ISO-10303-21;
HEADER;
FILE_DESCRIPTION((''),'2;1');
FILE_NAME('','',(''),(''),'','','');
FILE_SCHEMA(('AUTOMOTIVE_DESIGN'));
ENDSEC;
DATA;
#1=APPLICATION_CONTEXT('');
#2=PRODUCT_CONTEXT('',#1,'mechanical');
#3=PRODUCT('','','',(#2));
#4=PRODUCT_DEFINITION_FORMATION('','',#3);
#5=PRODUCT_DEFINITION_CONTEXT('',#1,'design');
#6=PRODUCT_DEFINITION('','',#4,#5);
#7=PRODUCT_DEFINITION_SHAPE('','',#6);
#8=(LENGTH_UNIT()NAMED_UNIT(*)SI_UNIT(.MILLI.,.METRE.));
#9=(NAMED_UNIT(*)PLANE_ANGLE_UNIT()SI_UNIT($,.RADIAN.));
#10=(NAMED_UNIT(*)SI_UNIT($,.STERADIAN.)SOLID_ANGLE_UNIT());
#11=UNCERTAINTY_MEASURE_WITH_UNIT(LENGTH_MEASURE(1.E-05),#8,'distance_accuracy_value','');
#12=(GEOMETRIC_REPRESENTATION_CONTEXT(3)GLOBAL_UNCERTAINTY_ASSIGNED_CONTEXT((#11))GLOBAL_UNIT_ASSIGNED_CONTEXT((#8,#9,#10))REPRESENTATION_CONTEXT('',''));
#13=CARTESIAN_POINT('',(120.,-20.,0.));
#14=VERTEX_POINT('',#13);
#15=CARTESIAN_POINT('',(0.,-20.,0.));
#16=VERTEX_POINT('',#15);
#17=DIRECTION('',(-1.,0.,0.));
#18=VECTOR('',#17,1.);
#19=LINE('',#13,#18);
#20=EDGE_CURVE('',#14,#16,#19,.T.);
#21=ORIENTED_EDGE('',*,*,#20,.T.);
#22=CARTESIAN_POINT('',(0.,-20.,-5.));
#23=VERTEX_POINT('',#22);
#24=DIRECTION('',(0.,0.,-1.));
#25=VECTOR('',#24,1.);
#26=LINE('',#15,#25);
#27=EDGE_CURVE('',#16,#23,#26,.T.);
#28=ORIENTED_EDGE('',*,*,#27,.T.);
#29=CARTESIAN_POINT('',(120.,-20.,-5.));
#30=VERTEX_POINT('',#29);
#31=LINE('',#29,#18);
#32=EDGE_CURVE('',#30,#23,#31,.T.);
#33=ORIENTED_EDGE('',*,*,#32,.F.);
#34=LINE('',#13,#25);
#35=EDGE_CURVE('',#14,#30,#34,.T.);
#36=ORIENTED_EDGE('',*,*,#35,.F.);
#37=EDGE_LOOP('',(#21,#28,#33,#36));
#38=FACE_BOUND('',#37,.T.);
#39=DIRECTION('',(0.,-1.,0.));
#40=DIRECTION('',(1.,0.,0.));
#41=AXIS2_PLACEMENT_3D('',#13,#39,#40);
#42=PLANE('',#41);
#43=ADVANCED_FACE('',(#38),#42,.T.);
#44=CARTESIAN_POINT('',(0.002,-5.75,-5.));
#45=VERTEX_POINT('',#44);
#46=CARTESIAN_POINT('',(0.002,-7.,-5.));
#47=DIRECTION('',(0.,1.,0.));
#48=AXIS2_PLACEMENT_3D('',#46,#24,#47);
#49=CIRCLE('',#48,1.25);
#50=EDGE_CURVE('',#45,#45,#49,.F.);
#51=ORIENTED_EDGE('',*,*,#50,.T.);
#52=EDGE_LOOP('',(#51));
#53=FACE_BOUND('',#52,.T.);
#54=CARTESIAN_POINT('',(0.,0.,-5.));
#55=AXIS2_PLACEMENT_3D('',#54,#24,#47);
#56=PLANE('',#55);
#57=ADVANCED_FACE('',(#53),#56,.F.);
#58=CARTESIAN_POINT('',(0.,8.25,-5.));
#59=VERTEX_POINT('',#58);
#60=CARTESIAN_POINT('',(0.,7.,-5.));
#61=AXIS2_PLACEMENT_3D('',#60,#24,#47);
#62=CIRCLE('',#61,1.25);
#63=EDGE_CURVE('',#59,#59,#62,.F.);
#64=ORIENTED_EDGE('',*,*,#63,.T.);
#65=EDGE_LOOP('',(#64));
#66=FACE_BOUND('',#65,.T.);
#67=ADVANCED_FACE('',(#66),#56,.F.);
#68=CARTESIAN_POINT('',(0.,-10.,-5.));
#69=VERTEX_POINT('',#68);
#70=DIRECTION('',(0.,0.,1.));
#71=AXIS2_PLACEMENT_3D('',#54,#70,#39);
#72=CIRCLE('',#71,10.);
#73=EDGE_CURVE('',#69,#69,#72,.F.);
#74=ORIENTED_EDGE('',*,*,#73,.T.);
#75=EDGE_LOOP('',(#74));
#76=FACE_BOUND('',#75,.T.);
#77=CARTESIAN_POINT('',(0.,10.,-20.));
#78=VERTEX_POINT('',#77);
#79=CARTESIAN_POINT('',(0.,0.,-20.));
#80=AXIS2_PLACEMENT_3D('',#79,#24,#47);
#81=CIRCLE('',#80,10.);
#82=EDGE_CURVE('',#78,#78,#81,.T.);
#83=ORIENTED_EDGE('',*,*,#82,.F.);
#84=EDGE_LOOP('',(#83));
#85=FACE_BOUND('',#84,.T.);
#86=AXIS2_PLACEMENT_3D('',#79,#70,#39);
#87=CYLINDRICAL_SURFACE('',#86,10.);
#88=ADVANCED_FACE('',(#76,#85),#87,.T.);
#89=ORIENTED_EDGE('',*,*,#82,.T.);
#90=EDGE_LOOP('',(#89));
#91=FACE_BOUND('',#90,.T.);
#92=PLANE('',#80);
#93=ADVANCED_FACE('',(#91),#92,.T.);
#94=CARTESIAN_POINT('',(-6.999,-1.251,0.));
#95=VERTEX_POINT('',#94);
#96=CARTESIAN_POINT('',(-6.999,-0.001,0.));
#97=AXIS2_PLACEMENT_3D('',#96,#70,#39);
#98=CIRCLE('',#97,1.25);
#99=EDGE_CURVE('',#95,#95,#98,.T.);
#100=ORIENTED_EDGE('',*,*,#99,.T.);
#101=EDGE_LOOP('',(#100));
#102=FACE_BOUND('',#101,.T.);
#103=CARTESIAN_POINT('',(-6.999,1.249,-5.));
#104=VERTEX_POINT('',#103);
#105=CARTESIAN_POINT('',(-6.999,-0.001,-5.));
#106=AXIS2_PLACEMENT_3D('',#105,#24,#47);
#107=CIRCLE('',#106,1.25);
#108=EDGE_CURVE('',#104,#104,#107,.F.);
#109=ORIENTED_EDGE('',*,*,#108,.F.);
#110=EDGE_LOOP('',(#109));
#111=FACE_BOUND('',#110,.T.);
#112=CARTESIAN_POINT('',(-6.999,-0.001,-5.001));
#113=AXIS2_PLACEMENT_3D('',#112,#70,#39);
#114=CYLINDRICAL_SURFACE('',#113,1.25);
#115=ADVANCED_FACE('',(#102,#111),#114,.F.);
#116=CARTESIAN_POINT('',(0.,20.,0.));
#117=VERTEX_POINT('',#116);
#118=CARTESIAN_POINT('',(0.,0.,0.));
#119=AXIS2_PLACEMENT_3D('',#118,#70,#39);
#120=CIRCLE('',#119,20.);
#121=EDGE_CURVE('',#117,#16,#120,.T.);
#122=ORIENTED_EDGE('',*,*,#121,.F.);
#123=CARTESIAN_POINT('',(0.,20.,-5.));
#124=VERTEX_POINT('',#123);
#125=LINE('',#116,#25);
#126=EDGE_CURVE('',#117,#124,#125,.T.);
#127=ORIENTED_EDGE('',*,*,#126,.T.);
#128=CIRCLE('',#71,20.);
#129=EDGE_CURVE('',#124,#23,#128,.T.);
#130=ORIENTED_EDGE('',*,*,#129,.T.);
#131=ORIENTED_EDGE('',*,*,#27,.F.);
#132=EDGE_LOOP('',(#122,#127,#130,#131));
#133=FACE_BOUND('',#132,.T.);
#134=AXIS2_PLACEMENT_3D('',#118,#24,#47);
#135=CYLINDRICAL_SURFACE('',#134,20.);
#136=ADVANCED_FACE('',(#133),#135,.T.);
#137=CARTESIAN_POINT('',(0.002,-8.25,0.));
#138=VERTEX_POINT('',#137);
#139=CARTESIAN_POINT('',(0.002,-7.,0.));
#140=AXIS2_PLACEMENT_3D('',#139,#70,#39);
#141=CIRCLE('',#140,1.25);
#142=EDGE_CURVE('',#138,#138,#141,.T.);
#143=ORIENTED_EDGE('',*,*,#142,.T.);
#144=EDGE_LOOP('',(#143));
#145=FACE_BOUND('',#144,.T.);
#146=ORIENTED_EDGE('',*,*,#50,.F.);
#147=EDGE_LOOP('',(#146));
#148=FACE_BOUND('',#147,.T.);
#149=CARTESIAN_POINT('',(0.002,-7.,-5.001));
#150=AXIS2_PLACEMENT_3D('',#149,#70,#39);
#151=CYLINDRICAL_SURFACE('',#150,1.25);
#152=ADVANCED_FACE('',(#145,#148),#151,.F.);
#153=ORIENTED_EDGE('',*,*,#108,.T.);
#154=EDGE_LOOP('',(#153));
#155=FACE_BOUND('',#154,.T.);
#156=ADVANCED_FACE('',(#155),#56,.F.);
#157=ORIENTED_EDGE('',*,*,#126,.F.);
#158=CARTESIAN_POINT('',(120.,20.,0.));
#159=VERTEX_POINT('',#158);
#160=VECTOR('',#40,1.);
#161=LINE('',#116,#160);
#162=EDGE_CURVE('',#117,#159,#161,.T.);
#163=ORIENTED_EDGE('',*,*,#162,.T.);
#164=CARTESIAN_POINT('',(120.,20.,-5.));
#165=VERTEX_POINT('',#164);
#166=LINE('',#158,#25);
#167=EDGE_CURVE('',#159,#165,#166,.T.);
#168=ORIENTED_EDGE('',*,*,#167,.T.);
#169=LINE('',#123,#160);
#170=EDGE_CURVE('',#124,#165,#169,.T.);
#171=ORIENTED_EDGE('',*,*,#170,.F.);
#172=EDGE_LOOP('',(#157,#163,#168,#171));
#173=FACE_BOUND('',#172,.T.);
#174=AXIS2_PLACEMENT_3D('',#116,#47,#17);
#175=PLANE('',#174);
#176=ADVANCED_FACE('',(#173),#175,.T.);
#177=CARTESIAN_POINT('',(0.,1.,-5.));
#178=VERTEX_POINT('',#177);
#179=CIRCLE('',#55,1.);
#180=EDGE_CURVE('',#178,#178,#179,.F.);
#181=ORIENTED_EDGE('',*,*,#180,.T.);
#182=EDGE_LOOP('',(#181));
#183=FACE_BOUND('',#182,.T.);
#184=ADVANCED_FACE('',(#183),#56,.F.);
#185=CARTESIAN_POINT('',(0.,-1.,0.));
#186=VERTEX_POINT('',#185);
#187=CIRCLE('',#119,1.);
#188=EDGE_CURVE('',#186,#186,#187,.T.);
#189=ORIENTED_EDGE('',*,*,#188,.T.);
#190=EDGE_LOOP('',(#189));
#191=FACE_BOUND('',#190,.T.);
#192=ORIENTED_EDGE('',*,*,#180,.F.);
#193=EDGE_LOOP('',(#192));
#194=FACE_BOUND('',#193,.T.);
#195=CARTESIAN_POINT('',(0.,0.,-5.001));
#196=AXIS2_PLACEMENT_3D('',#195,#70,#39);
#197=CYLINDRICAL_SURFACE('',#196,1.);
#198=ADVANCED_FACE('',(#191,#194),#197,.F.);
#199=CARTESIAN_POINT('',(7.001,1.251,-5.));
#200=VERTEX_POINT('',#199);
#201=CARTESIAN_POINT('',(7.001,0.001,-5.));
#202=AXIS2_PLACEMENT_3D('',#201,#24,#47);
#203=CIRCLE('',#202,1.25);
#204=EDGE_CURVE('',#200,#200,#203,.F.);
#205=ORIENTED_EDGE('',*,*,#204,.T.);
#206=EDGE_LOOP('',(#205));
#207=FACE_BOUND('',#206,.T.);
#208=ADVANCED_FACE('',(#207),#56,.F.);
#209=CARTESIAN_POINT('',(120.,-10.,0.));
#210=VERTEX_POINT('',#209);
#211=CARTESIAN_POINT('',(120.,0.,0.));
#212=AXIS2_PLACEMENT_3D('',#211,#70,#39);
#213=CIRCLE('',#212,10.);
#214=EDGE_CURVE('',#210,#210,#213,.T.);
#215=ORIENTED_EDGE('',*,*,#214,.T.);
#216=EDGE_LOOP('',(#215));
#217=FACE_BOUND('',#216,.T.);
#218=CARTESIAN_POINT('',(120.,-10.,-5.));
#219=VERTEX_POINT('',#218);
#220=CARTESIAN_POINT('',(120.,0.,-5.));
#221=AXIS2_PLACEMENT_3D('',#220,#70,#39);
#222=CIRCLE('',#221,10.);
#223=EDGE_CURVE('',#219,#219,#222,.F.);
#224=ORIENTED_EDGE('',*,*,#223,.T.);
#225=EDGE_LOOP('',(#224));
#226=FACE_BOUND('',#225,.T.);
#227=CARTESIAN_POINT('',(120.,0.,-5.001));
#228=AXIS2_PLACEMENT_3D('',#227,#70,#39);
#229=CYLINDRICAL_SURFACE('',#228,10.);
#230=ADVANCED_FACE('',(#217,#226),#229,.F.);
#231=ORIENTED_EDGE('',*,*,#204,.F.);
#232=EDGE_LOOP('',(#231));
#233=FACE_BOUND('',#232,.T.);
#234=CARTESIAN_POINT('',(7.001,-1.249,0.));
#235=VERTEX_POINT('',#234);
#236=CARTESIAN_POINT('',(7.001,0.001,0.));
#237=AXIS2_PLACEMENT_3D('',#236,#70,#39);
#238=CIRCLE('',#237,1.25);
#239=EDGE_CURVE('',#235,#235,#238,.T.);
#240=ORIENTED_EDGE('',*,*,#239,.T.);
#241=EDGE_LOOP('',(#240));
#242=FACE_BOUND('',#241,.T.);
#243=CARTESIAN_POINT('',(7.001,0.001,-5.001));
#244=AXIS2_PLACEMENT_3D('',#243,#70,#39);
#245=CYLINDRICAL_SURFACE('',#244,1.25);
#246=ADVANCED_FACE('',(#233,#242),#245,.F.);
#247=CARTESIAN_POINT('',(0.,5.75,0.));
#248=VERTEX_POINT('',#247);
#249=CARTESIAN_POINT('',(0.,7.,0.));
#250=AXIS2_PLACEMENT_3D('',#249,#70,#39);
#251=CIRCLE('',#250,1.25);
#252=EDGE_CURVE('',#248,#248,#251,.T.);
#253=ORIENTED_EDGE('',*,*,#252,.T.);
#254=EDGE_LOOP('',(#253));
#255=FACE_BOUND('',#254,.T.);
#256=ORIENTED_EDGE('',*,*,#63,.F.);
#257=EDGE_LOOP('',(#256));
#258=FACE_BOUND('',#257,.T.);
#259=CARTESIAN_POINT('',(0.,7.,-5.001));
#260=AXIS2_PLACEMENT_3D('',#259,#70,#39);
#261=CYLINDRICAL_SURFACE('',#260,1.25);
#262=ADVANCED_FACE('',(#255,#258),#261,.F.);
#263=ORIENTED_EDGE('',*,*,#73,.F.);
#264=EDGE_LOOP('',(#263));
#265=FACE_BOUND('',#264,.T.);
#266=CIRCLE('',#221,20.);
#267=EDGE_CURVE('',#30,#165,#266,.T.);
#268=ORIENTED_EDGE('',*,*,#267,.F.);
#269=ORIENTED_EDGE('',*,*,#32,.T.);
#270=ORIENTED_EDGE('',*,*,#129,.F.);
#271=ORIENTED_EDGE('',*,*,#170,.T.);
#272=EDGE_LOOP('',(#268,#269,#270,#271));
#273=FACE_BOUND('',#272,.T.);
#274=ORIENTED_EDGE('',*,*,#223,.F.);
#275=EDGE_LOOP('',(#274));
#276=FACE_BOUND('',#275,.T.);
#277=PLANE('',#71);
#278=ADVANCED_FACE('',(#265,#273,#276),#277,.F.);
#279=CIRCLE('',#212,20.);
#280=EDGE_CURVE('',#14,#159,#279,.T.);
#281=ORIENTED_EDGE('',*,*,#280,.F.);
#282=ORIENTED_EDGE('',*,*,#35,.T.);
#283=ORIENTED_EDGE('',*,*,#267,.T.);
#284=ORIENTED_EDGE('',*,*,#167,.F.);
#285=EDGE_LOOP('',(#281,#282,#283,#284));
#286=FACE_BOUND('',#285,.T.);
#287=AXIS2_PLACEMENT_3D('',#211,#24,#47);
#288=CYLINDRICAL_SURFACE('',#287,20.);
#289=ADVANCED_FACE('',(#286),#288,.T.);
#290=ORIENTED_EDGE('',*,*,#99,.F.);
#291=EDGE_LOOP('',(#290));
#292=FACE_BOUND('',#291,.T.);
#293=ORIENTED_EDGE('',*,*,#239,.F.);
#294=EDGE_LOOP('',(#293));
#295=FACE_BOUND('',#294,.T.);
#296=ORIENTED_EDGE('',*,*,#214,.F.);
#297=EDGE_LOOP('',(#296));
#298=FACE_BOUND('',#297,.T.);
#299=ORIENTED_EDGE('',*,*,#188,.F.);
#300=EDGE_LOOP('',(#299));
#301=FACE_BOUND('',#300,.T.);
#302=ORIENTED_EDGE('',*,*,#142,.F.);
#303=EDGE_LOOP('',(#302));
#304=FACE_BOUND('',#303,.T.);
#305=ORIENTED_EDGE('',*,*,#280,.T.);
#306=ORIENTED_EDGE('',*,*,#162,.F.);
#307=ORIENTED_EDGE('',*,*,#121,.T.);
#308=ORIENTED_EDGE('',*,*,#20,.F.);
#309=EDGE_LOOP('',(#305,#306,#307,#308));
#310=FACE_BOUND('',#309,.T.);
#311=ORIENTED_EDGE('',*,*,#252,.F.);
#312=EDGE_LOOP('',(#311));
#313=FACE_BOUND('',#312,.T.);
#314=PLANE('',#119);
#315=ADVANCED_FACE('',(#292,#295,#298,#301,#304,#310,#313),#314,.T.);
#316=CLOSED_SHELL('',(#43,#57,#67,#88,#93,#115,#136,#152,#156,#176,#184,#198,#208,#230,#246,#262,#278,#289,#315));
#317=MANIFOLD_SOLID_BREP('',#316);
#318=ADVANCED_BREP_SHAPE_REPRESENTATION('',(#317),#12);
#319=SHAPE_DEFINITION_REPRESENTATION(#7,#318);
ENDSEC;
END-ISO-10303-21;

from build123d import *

# Parameters (mm, degrees)
BOSS_EXTRUDE1_DEPTH   = 5
CUT_EXTRUDE1_REACH    = 143.51
SKETCH2_R             = 1
SKETCH2_R_2           = 1.25
CUT_EXTRUDE2_REACH    = 143.51
SKETCH3_R             = 10
BODY_MOVE_COPY1_ANGLE = 90
SKETCH12_R            = 10
BOSS_EXTRUDE2_DEPTH   = 15


with BuildPart() as part:
    # Sketch1 → Boss-Extrude1 (new body)
    with BuildSketch(Plane(origin=(0, 0, 0), x_dir=(1, 0, 0), z_dir=(0, 1, 0))):
        with BuildLine():
            Line((120, -20), (0, -20))
            ThreePointArc((0, -20), (-20, 0), (0, 20))
            Line((0, 20), (120, 20))
            ThreePointArc((120, 20), (140, 0), (120, -20))
        make_face()
    extrude(amount=BOSS_EXTRUDE1_DEPTH)

    # Sketch2 → Cut-Extrude1 (cut, up to next)
    with BuildSketch(Plane(origin=(0, 5, 0), x_dir=(1, 0, 0), z_dir=(0, 1, 0)), mode=Mode.PRIVATE) as cut_extrude1_sk1:
        with Locations(Location((0, 0, 0), (0, 0, 270))):
            Circle(SKETCH2_R)
    cut_extrude1_tool1 = extrude(cut_extrude1_sk1.sketch, amount=-CUT_EXTRUDE1_REACH, mode=Mode.PRIVATE) & part.part
    # Sketch2 → Cut-Extrude1 (cut, up to next)
    with BuildSketch(Plane(origin=(0, 5, 0), x_dir=(1, 0, 0), z_dir=(0, 1, 0)), mode=Mode.PRIVATE) as cut_extrude1_sk2:
        with Locations(Location((0, 7, 0), (0, 0, 270))):
            Circle(SKETCH2_R_2)
    cut_extrude1_tool2 = extrude(cut_extrude1_sk2.sketch, amount=-CUT_EXTRUDE1_REACH, mode=Mode.PRIVATE) & part.part
    # Sketch2 → Cut-Extrude1 (cut, up to next)
    with BuildSketch(Plane(origin=(0, 5, 0), x_dir=(1, 0, 0), z_dir=(0, 1, 0)), mode=Mode.PRIVATE) as cut_extrude1_sk3:
        with Locations(Location((7.001, 0.001, 0), (0, 0, 270))):
            Circle(SKETCH2_R_2)
    cut_extrude1_tool3 = extrude(cut_extrude1_sk3.sketch, amount=-CUT_EXTRUDE1_REACH, mode=Mode.PRIVATE) & part.part
    # Sketch2 → Cut-Extrude1 (cut, up to next)
    with BuildSketch(Plane(origin=(0, 5, 0), x_dir=(1, 0, 0), z_dir=(0, 1, 0)), mode=Mode.PRIVATE) as cut_extrude1_sk4:
        with Locations(Location((0.002, -7, 0), (0, 0, 270))):
            Circle(SKETCH2_R_2)
    cut_extrude1_tool4 = extrude(cut_extrude1_sk4.sketch, amount=-CUT_EXTRUDE1_REACH, mode=Mode.PRIVATE) & part.part
    # Sketch2 → Cut-Extrude1 (cut, up to next)
    with BuildSketch(Plane(origin=(0, 5, 0), x_dir=(1, 0, 0), z_dir=(0, 1, 0)), mode=Mode.PRIVATE) as cut_extrude1_sk5:
        with Locations(Location((-6.999, -0.001, 0), (0, 0, 270))):
            Circle(SKETCH2_R_2)
    cut_extrude1_tool5 = extrude(cut_extrude1_sk5.sketch, amount=-CUT_EXTRUDE1_REACH, mode=Mode.PRIVATE) & part.part
    add(cut_extrude1_tool1.solids().sort_by_distance((0, 5, 0))[0], mode=Mode.SUBTRACT)
    add(cut_extrude1_tool2.solids().sort_by_distance((0, 5, -7))[0], mode=Mode.SUBTRACT)
    add(cut_extrude1_tool3.solids().sort_by_distance((7.001, 5, -0.001))[0], mode=Mode.SUBTRACT)
    add(cut_extrude1_tool4.solids().sort_by_distance((0.002, 5, 7))[0], mode=Mode.SUBTRACT)
    add(cut_extrude1_tool5.solids().sort_by_distance((-6.999, 5, 0.001))[0], mode=Mode.SUBTRACT)

    # Sketch3 → Cut-Extrude2 (cut, up to next)
    with BuildSketch(Plane(origin=(0, 5, 0), x_dir=(1, 0, 0), z_dir=(0, 1, 0)), mode=Mode.PRIVATE) as cut_extrude2_sk1:
        with Locations(Location((120, 0, 0), (0, 0, 270))):
            Circle(SKETCH3_R)
    cut_extrude2_tool1 = extrude(cut_extrude2_sk1.sketch, amount=-CUT_EXTRUDE2_REACH, mode=Mode.PRIVATE) & part.part
    add(cut_extrude2_tool1.solids().sort_by_distance((120, 5, 0))[0], mode=Mode.SUBTRACT)


with BuildPart() as part_1:
    # Body-Move/Copy1: moved
    add(part.part.rotate(Axis((0, 0, 0), (1, 0, 0)), BODY_MOVE_COPY1_ANGLE))

    # Sketch12 → Boss-Extrude2 (add)
    with BuildSketch(Plane(origin=(0, 0, 0), x_dir=(-1, 0, 0), z_dir=(0, 0, -1))):
        with Locations(Location((0, 0, 0), (0, 0, 270))):
            Circle(SKETCH12_R)
    extrude(amount=BOSS_EXTRUDE2_DEPTH)


with BuildPart() as part_2:
    # Body-Move/Copy4: moved
    add(part_1.part.moved(Location((0, 0, -5))))


solid = part_2.part
